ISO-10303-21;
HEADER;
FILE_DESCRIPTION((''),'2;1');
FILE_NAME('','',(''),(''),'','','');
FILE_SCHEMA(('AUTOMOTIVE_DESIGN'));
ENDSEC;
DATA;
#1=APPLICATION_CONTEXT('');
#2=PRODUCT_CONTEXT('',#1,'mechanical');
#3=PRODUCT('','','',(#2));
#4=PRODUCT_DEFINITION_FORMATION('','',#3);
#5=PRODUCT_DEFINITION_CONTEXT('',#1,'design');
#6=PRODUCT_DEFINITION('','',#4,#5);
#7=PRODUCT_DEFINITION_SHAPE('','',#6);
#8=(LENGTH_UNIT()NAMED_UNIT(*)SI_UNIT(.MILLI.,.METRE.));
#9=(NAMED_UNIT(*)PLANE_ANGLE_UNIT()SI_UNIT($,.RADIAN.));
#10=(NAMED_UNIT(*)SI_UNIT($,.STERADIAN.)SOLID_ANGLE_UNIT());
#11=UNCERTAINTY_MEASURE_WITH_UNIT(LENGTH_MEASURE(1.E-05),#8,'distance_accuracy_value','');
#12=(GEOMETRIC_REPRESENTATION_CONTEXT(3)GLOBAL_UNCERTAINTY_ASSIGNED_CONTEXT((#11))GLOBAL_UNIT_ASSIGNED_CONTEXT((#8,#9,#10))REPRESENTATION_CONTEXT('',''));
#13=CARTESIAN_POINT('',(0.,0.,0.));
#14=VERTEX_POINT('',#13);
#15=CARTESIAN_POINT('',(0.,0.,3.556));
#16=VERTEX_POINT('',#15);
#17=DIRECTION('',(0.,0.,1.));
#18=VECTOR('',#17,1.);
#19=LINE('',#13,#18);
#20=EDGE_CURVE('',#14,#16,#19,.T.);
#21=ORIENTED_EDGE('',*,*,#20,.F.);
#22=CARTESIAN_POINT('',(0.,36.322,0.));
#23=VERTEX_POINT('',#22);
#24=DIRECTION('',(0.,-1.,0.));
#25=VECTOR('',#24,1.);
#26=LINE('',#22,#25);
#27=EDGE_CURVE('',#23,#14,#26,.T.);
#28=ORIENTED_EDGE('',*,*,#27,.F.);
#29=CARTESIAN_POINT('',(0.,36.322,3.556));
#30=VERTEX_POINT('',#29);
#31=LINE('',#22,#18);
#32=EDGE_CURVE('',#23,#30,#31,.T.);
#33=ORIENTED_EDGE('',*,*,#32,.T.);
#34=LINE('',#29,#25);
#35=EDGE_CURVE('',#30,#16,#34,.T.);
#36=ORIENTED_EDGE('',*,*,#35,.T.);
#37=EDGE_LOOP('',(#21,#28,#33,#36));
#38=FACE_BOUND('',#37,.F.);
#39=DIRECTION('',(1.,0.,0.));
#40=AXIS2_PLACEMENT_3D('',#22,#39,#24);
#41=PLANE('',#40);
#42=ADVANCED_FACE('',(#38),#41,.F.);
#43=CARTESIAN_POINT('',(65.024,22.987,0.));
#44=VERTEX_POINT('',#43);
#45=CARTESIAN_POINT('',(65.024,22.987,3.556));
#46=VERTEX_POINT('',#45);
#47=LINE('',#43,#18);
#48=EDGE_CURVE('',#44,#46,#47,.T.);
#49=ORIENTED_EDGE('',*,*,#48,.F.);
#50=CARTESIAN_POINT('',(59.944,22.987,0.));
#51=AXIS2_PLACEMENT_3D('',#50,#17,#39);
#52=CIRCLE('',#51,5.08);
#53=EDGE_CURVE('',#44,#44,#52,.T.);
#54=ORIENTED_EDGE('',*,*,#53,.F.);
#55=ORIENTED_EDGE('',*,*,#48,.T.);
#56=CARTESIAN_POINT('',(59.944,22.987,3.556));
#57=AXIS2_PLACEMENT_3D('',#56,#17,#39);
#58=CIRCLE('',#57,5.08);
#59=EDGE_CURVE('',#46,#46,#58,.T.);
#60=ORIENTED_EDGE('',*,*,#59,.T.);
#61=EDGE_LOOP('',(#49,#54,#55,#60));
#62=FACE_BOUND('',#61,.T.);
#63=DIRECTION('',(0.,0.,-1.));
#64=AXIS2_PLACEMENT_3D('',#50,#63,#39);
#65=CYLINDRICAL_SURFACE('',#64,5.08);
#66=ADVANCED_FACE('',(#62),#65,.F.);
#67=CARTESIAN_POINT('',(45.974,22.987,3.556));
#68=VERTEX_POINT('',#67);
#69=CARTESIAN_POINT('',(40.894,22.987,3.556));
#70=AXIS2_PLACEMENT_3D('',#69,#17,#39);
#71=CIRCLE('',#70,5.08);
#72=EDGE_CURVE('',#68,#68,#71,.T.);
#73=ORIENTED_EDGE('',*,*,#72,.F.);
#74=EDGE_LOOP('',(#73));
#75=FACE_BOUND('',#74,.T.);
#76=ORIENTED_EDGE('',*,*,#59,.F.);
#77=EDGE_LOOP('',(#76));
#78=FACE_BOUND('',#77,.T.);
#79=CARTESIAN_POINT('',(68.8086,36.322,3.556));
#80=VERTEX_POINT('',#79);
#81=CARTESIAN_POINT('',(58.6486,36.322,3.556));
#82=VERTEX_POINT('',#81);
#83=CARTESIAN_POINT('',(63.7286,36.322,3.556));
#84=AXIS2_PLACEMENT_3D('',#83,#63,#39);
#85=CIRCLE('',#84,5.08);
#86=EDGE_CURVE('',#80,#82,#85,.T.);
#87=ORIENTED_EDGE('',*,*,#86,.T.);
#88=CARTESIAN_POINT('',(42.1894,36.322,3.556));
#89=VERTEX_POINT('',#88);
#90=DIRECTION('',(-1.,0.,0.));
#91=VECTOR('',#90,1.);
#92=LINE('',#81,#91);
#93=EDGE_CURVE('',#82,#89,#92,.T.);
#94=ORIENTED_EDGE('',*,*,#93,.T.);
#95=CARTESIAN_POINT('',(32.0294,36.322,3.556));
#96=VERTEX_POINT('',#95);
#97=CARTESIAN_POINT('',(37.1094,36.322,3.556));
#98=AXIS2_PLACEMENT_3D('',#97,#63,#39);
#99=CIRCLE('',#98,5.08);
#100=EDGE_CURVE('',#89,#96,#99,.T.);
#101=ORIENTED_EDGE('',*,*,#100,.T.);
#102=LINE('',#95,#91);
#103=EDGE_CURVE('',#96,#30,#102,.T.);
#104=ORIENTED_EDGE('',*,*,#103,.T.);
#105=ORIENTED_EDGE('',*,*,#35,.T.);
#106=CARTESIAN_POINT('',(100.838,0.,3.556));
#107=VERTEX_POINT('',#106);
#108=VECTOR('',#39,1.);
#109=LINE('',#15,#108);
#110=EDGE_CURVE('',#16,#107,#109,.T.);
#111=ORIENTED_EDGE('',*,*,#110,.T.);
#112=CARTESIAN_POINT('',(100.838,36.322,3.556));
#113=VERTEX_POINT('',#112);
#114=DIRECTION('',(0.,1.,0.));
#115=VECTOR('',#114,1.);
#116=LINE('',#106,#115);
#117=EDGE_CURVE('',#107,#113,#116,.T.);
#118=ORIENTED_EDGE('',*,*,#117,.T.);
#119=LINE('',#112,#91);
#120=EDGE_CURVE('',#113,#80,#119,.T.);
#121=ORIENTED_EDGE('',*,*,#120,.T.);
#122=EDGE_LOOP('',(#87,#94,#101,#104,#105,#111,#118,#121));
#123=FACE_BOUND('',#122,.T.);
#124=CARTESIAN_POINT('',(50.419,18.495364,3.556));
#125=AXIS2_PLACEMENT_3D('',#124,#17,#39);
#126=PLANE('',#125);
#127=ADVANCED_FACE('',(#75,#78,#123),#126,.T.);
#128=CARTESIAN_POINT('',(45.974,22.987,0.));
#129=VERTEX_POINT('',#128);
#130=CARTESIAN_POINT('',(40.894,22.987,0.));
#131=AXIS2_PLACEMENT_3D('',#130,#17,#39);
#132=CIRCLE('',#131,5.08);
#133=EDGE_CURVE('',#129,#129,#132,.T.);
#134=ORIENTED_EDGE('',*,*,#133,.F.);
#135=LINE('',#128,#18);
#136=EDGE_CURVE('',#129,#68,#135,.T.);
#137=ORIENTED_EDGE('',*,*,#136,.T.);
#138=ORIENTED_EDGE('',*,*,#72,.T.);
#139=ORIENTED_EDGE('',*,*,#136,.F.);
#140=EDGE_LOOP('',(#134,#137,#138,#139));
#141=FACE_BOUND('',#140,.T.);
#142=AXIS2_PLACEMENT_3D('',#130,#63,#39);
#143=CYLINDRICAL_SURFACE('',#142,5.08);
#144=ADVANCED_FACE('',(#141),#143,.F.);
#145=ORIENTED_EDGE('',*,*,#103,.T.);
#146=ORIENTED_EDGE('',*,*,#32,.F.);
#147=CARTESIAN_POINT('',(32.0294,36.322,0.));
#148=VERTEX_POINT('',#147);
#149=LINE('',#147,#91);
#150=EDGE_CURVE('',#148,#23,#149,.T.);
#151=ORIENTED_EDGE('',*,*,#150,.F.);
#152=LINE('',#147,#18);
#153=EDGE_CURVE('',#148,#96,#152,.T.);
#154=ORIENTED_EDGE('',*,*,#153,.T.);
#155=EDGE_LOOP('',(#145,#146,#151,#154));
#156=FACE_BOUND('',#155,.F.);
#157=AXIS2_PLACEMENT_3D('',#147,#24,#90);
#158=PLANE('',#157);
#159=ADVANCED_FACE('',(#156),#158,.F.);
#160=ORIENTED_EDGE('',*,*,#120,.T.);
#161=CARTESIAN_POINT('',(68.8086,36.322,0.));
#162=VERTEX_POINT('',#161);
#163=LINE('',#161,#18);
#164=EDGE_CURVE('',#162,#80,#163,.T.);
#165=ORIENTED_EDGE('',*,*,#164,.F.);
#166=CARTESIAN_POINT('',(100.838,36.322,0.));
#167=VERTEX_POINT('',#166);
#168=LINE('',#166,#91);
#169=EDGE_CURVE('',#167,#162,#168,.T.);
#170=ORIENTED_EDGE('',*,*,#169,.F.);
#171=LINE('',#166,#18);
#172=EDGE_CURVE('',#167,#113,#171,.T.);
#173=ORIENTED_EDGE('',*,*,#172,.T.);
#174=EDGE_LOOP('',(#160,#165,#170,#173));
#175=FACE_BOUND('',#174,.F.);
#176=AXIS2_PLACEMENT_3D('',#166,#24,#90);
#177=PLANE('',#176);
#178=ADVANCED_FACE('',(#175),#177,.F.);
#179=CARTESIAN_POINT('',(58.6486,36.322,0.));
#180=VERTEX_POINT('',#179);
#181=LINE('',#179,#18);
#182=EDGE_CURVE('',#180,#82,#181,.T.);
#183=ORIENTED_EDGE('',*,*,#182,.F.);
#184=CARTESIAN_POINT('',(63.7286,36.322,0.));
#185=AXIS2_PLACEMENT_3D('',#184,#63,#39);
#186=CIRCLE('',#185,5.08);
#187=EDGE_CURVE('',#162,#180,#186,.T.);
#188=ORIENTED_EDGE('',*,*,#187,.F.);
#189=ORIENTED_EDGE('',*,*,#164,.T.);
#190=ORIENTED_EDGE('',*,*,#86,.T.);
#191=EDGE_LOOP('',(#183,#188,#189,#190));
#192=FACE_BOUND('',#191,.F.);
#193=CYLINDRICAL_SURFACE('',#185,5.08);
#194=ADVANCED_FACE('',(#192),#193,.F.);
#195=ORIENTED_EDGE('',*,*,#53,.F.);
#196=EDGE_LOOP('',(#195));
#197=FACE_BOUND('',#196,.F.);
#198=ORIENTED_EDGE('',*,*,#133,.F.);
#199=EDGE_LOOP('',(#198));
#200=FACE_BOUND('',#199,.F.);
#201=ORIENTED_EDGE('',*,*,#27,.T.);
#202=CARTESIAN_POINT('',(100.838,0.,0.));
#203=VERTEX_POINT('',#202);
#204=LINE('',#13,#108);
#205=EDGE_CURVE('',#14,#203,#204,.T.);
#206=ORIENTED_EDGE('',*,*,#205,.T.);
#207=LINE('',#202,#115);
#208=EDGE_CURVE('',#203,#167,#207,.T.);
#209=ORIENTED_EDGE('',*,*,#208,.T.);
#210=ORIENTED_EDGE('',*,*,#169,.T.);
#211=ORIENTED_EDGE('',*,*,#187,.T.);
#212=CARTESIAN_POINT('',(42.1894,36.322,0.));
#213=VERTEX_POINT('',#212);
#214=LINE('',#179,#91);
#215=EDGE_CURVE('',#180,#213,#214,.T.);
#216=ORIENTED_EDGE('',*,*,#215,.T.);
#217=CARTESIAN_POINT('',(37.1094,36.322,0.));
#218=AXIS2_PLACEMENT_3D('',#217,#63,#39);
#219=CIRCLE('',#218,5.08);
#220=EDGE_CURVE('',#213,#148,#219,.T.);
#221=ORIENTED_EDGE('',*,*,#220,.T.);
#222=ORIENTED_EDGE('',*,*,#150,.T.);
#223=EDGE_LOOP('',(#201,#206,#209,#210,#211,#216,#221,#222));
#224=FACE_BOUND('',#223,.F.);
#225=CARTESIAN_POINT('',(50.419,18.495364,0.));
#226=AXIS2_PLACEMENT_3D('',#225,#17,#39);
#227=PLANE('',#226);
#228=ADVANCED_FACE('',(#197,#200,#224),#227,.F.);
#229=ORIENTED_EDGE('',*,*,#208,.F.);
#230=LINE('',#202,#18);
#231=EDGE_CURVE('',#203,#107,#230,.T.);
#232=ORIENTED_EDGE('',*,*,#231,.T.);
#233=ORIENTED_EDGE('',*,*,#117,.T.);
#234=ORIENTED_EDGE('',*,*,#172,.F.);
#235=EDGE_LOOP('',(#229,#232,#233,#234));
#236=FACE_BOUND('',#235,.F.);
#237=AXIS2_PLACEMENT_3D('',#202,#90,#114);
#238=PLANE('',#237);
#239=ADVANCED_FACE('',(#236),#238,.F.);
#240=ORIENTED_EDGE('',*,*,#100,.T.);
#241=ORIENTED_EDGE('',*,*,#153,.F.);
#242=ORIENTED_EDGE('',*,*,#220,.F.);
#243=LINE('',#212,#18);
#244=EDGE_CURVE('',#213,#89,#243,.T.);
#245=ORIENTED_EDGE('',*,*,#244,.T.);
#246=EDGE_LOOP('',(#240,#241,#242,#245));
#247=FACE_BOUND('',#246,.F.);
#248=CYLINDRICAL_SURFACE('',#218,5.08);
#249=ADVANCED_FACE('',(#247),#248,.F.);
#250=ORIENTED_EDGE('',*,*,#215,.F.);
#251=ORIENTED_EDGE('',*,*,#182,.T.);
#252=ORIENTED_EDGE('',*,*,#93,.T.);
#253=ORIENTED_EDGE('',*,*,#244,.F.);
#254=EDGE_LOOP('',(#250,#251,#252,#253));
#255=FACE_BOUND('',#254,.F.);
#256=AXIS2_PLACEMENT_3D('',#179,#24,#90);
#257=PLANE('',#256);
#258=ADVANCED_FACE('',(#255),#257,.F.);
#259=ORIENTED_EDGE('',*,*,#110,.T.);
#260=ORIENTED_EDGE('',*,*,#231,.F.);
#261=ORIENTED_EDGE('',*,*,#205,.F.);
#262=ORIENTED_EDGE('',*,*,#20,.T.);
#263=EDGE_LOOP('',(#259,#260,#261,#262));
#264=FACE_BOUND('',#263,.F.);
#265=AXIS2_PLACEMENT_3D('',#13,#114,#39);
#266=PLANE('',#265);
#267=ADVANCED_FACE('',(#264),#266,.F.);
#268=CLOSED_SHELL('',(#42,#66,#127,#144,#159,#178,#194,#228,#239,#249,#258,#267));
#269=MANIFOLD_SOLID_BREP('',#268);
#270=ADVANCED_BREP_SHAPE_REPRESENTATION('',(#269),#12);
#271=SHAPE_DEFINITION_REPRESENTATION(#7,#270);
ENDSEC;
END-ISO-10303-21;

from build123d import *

# Parameters (mm, degrees)
F0_R     = 5.08
F1_DEPTH = 3.556


with BuildPart() as f1:
    # F0 (on Top) → F1 (new body)
    with BuildSketch(Plane.XY):
        with BuildLine():
            Line((0, 36.322), (0, 0))
            Line((0, 0), (100.838, 0))
            Line((100.838, 0), (100.838, 36.322))
            Line((100.838, 36.322), (68.8086, 36.322))
            ThreePointArc((68.8086, 36.322), (63.7286, 31.242), (58.6486, 36.322))
            Line((58.6486, 36.322), (42.1894, 36.322))
            ThreePointArc((42.1894, 36.322), (37.1094, 31.242), (32.0294, 36.322))
            Line((32.0294, 36.322), (0, 36.322))
        make_face()
        with Locations((40.894, 22.987)):
            Circle(F0_R, mode=Mode.SUBTRACT)
        with Locations((59.944, 22.987)):
            Circle(F0_R, mode=Mode.SUBTRACT)
    extrude(amount=F1_DEPTH)


solid = f1.part
